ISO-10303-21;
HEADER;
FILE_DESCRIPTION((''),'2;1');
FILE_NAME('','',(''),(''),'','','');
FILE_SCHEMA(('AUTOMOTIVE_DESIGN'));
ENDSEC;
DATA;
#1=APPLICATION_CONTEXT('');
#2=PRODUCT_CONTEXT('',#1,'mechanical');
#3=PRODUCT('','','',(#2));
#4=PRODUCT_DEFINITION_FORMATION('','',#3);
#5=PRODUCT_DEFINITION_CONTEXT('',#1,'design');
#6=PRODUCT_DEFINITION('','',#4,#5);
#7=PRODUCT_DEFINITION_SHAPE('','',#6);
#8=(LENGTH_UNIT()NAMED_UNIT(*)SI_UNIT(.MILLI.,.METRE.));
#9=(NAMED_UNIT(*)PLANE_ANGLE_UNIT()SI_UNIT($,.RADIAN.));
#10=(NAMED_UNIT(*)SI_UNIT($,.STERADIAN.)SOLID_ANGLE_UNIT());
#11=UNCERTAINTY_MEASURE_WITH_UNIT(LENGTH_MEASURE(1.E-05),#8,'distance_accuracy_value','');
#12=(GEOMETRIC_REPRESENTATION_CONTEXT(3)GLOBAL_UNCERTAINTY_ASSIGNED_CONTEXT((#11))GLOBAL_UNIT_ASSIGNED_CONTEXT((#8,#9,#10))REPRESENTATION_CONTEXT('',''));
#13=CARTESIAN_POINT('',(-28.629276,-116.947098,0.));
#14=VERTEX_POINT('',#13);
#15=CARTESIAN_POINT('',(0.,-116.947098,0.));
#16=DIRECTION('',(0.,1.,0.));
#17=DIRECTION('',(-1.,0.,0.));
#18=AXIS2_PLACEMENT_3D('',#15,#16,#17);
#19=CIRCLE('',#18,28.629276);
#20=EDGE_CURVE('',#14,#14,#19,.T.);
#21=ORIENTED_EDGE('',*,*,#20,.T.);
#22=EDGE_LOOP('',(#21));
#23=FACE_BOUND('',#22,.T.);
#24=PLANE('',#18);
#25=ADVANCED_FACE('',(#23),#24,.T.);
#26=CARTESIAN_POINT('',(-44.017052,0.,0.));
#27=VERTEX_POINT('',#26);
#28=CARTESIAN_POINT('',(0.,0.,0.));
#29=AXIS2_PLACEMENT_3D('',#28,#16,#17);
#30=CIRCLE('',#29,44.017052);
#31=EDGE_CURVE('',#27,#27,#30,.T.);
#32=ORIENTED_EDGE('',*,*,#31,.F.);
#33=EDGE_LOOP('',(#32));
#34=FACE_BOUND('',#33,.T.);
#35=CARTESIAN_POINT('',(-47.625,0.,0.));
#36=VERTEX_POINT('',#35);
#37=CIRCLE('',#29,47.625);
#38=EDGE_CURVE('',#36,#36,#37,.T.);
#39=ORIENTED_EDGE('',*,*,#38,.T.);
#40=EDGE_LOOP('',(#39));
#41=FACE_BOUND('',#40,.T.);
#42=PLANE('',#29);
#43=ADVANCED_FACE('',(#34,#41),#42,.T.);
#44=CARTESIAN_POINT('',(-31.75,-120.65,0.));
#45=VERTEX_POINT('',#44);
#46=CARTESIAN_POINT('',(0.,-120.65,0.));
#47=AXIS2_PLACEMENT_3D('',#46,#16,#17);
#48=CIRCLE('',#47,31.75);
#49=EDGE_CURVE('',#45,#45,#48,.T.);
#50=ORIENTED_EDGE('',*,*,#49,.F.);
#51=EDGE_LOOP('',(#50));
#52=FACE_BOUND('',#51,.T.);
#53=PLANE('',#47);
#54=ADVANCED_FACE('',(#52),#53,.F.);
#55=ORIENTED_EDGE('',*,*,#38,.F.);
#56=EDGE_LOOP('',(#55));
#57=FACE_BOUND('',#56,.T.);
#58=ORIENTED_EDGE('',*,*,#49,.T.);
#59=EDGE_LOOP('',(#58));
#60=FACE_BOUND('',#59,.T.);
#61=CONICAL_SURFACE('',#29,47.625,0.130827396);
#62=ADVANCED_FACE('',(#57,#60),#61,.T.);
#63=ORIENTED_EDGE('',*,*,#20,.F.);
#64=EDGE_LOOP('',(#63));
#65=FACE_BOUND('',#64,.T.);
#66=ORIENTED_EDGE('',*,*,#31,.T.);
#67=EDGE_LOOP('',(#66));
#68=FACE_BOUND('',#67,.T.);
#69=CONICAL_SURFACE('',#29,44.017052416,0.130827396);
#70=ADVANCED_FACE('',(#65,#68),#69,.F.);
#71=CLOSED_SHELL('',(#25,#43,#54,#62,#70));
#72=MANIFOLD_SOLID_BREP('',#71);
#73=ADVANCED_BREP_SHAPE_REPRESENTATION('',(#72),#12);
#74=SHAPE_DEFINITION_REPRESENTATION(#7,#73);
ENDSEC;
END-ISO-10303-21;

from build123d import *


with BuildPart() as part:
    # Sketch4 → Revolve2 (revolve)
    with BuildSketch(Plane.XY):
        Polygon((0, -116.947098366), (28.629276315, -116.947098366), (44.017052416, 0), (47.625, 0), (31.75, -120.65), (0, -120.65), align=None)
    revolve(axis=Axis((0, -116.947098366, 0), (0, -1, 0)))


solid = part.part
